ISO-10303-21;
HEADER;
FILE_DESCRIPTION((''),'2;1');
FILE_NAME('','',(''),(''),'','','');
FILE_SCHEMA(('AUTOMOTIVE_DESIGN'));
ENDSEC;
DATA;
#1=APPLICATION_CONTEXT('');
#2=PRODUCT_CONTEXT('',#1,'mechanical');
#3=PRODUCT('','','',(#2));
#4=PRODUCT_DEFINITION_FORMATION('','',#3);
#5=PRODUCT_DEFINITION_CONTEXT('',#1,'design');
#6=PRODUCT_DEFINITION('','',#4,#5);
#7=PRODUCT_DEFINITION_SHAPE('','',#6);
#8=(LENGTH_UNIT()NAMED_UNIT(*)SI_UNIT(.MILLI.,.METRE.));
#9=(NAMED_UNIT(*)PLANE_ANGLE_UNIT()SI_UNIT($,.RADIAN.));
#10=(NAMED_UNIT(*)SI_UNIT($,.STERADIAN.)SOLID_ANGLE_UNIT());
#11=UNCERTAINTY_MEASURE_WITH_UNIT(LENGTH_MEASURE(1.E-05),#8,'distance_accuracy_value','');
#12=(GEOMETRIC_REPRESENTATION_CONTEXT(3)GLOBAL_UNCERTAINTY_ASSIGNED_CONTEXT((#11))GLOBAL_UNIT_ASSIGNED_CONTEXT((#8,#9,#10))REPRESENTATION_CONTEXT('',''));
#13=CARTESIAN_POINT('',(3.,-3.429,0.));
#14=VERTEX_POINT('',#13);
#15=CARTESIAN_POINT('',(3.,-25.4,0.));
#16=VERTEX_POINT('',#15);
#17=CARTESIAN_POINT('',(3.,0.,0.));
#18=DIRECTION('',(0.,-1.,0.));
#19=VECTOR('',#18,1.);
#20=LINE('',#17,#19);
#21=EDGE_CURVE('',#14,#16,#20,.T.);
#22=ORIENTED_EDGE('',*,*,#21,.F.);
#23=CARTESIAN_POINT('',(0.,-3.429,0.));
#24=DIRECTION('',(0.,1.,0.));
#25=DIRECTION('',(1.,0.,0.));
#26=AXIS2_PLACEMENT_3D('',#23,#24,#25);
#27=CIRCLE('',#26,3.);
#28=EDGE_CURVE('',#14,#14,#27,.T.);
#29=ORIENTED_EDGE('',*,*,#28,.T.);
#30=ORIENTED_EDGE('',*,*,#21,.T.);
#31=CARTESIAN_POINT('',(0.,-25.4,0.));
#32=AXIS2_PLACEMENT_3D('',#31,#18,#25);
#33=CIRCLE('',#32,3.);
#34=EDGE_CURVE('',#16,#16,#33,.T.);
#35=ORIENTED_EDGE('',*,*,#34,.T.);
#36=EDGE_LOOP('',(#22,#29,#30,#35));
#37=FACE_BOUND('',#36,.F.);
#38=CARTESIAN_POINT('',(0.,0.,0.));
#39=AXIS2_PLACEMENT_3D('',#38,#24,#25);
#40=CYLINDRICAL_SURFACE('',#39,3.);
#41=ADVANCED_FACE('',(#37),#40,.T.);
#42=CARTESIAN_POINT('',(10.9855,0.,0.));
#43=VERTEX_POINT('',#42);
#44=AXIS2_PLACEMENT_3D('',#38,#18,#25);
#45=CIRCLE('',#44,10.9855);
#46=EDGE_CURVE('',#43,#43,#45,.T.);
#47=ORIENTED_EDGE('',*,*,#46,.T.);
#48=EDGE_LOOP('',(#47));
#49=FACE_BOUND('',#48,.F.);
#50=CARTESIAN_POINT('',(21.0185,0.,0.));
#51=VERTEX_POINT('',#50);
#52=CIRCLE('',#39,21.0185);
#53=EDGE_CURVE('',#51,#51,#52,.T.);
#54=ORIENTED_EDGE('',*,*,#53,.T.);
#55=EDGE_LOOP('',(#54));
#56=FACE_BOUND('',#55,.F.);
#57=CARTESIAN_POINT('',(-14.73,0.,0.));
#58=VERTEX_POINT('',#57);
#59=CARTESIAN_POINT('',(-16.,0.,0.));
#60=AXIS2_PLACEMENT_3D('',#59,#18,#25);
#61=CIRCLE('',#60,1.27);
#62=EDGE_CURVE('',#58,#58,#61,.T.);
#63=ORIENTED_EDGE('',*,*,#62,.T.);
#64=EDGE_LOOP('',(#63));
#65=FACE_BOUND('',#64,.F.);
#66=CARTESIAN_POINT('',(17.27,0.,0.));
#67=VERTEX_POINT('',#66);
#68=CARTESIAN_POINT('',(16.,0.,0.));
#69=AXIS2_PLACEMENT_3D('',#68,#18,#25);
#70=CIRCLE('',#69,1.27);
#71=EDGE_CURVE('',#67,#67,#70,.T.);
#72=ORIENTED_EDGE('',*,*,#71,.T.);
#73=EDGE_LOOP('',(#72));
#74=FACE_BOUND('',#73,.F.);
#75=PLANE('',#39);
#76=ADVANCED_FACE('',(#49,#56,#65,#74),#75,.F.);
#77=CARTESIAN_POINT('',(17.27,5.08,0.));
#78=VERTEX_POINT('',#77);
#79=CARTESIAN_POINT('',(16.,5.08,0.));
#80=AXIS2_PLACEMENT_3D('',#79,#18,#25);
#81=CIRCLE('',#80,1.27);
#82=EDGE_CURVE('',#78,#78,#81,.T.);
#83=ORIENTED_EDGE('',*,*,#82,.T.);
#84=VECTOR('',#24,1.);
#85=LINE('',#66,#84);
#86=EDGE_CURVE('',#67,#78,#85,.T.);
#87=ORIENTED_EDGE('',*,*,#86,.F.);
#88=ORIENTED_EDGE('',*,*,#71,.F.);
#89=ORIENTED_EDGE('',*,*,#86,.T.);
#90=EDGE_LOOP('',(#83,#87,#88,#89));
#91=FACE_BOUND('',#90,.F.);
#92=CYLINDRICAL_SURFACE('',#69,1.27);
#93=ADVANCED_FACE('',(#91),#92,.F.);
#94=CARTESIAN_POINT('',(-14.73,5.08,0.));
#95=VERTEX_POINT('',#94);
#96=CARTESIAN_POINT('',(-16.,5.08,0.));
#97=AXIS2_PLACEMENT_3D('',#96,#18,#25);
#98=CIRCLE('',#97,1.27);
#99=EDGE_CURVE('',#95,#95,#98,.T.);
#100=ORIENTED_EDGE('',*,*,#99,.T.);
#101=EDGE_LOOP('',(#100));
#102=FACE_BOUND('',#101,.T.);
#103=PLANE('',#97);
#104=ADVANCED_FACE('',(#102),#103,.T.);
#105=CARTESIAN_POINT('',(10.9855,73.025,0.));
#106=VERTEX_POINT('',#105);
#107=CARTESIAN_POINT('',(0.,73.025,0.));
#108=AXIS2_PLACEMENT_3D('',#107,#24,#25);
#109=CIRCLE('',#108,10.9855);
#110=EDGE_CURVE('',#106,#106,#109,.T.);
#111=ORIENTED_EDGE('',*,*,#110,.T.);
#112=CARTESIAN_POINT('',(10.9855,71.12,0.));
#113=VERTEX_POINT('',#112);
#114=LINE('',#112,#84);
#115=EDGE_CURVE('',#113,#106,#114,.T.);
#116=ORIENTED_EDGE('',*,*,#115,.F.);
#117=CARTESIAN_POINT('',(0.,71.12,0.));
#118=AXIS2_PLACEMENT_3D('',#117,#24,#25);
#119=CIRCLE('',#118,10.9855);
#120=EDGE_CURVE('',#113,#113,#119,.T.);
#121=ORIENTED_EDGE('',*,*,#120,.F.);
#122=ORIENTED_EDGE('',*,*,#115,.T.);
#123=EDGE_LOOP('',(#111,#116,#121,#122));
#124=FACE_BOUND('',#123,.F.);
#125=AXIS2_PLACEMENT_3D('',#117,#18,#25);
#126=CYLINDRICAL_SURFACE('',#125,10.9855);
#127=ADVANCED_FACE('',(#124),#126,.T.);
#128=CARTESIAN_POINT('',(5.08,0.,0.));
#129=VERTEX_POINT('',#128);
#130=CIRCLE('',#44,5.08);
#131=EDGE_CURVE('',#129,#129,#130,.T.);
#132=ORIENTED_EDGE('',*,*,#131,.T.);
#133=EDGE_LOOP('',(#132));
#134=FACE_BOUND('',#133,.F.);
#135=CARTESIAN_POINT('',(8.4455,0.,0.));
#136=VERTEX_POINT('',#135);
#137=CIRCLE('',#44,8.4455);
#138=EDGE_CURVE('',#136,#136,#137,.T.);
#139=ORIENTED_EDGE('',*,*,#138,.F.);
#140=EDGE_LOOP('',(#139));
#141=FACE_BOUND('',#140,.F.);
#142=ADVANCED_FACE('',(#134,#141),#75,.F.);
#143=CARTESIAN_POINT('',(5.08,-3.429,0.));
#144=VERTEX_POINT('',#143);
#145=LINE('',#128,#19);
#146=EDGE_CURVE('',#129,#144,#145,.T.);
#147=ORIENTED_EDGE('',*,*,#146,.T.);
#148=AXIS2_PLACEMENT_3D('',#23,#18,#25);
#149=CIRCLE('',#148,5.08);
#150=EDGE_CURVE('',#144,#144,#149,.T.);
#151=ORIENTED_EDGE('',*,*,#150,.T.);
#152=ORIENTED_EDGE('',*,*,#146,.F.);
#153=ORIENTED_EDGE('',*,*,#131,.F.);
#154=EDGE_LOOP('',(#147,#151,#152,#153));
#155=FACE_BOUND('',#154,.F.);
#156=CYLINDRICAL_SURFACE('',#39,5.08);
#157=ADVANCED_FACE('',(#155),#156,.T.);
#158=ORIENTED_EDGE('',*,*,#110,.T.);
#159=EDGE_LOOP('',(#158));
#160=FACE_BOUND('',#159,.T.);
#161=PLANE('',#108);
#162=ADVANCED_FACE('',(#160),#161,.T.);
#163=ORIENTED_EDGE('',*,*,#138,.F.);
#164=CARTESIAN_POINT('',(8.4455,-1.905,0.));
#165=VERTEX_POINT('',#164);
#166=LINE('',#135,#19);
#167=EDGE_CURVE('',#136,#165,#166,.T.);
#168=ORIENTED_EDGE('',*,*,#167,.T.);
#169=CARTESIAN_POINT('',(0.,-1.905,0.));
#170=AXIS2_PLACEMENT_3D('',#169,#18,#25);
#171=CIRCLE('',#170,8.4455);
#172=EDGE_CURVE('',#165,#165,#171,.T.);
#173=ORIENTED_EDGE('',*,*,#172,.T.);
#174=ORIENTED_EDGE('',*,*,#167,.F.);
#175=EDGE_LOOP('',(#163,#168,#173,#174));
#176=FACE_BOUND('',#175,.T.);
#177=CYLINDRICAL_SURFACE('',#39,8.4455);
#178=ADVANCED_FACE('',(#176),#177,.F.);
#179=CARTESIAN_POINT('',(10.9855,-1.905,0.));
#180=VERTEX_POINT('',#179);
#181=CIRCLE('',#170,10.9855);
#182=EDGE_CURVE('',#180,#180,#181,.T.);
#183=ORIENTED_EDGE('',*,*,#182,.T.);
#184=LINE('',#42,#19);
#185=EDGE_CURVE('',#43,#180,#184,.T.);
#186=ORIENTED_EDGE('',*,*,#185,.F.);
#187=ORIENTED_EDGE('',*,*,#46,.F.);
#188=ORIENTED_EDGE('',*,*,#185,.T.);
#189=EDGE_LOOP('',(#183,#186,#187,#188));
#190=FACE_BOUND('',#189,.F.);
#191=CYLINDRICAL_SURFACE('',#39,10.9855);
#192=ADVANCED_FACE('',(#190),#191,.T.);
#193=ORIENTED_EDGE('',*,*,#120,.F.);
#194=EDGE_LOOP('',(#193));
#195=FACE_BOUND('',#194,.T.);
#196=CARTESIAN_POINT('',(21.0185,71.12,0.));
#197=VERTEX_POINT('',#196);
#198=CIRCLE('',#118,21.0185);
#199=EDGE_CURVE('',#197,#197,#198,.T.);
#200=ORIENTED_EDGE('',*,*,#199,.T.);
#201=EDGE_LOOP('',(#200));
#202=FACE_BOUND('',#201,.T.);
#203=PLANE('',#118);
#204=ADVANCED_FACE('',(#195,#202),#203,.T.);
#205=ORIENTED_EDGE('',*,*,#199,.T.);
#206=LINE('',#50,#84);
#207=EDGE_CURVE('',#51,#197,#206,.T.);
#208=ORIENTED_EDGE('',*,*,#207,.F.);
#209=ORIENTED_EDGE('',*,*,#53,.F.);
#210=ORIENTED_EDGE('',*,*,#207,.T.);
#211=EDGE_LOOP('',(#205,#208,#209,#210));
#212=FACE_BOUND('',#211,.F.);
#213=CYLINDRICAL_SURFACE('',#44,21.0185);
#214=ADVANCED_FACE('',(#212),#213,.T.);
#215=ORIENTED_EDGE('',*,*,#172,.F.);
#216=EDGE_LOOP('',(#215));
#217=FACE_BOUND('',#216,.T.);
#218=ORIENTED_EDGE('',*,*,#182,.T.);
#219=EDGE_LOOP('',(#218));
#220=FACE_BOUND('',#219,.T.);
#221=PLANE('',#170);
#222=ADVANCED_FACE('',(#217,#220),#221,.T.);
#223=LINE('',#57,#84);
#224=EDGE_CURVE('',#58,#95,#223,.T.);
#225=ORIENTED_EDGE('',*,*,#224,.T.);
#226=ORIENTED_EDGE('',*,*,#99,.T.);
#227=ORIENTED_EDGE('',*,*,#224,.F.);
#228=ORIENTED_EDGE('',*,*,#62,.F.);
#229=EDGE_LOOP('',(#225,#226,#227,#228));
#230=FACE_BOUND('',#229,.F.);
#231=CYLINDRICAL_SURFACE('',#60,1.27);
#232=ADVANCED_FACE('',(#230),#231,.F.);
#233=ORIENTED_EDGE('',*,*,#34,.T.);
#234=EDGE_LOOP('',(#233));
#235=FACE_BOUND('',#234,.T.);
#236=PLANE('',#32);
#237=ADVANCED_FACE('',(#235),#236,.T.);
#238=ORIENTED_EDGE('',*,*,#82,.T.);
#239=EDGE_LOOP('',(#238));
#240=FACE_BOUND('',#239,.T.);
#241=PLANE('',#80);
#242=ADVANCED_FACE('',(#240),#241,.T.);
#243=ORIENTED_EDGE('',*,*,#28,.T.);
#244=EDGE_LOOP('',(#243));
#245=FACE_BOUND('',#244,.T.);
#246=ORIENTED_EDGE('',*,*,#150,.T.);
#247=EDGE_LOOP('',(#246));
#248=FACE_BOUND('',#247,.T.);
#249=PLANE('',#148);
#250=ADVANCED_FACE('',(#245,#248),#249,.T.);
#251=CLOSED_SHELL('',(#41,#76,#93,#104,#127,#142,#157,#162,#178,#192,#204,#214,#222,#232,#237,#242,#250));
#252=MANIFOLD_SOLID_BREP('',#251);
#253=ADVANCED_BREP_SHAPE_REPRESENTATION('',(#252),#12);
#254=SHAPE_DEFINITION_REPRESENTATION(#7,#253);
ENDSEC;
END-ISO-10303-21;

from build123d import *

# Parameters (mm, degrees)
SKETCH2_R           = 21.0185
BOSS_EXTRUDE1_DEPTH = 71.12
SKETCH3_R           = 10.9855
BOSS_EXTRUDE2_DEPTH = 1.905
SKETCH4_R           = 10.9855
SKETCH4_R_2         = 8.4455
BOSS_EXTRUDE3_DEPTH = 1.905
SKETCH5_R           = 3
BOSS_EXTRUDE4_DEPTH = 25.4
SKETCH6_R           = 5.08
BOSS_EXTRUDE5_DEPTH = 3.429
SKETCH7_R           = 1.27
CUT_EXTRUDE1_DEPTH  = 5.08


with BuildPart() as part:
    # Sketch2 → Boss-Extrude1 (new body)
    with BuildSketch(Plane(origin=(0, 0, 0), x_dir=(1, 0, 0), z_dir=(0, 1, 0))):
        Circle(SKETCH2_R)
    extrude(amount=BOSS_EXTRUDE1_DEPTH)

    # Sketch3 → Boss-Extrude2 (add)
    with BuildSketch(Plane(origin=(0, 71.12, 0), x_dir=(1, 0, 0), z_dir=(0, 1, 0))):
        Circle(SKETCH3_R)
    extrude(amount=BOSS_EXTRUDE2_DEPTH)

    # Sketch4 → Boss-Extrude3 (add)
    with BuildSketch(Plane.XZ):
        Circle(SKETCH4_R)
        Circle(SKETCH4_R_2, mode=Mode.SUBTRACT)
    extrude(amount=BOSS_EXTRUDE3_DEPTH)

    # Sketch5 → Boss-Extrude4 (add)
    with BuildSketch(Plane.XZ):
        Circle(SKETCH5_R)
    extrude(amount=BOSS_EXTRUDE4_DEPTH)

    # Sketch6 → Boss-Extrude5 (add)
    with BuildSketch(Plane.XZ):
        Circle(SKETCH6_R)
    extrude(amount=BOSS_EXTRUDE5_DEPTH)

    # Sketch7 → Cut-Extrude1 (cut)
    with BuildSketch(Plane.XZ):
        with Locations((16, 0)):
            Circle(SKETCH7_R)
        with Locations((-16, 0)):
            Circle(SKETCH7_R)
    extrude(amount=-CUT_EXTRUDE1_DEPTH, mode=Mode.SUBTRACT)


solid = part.part
